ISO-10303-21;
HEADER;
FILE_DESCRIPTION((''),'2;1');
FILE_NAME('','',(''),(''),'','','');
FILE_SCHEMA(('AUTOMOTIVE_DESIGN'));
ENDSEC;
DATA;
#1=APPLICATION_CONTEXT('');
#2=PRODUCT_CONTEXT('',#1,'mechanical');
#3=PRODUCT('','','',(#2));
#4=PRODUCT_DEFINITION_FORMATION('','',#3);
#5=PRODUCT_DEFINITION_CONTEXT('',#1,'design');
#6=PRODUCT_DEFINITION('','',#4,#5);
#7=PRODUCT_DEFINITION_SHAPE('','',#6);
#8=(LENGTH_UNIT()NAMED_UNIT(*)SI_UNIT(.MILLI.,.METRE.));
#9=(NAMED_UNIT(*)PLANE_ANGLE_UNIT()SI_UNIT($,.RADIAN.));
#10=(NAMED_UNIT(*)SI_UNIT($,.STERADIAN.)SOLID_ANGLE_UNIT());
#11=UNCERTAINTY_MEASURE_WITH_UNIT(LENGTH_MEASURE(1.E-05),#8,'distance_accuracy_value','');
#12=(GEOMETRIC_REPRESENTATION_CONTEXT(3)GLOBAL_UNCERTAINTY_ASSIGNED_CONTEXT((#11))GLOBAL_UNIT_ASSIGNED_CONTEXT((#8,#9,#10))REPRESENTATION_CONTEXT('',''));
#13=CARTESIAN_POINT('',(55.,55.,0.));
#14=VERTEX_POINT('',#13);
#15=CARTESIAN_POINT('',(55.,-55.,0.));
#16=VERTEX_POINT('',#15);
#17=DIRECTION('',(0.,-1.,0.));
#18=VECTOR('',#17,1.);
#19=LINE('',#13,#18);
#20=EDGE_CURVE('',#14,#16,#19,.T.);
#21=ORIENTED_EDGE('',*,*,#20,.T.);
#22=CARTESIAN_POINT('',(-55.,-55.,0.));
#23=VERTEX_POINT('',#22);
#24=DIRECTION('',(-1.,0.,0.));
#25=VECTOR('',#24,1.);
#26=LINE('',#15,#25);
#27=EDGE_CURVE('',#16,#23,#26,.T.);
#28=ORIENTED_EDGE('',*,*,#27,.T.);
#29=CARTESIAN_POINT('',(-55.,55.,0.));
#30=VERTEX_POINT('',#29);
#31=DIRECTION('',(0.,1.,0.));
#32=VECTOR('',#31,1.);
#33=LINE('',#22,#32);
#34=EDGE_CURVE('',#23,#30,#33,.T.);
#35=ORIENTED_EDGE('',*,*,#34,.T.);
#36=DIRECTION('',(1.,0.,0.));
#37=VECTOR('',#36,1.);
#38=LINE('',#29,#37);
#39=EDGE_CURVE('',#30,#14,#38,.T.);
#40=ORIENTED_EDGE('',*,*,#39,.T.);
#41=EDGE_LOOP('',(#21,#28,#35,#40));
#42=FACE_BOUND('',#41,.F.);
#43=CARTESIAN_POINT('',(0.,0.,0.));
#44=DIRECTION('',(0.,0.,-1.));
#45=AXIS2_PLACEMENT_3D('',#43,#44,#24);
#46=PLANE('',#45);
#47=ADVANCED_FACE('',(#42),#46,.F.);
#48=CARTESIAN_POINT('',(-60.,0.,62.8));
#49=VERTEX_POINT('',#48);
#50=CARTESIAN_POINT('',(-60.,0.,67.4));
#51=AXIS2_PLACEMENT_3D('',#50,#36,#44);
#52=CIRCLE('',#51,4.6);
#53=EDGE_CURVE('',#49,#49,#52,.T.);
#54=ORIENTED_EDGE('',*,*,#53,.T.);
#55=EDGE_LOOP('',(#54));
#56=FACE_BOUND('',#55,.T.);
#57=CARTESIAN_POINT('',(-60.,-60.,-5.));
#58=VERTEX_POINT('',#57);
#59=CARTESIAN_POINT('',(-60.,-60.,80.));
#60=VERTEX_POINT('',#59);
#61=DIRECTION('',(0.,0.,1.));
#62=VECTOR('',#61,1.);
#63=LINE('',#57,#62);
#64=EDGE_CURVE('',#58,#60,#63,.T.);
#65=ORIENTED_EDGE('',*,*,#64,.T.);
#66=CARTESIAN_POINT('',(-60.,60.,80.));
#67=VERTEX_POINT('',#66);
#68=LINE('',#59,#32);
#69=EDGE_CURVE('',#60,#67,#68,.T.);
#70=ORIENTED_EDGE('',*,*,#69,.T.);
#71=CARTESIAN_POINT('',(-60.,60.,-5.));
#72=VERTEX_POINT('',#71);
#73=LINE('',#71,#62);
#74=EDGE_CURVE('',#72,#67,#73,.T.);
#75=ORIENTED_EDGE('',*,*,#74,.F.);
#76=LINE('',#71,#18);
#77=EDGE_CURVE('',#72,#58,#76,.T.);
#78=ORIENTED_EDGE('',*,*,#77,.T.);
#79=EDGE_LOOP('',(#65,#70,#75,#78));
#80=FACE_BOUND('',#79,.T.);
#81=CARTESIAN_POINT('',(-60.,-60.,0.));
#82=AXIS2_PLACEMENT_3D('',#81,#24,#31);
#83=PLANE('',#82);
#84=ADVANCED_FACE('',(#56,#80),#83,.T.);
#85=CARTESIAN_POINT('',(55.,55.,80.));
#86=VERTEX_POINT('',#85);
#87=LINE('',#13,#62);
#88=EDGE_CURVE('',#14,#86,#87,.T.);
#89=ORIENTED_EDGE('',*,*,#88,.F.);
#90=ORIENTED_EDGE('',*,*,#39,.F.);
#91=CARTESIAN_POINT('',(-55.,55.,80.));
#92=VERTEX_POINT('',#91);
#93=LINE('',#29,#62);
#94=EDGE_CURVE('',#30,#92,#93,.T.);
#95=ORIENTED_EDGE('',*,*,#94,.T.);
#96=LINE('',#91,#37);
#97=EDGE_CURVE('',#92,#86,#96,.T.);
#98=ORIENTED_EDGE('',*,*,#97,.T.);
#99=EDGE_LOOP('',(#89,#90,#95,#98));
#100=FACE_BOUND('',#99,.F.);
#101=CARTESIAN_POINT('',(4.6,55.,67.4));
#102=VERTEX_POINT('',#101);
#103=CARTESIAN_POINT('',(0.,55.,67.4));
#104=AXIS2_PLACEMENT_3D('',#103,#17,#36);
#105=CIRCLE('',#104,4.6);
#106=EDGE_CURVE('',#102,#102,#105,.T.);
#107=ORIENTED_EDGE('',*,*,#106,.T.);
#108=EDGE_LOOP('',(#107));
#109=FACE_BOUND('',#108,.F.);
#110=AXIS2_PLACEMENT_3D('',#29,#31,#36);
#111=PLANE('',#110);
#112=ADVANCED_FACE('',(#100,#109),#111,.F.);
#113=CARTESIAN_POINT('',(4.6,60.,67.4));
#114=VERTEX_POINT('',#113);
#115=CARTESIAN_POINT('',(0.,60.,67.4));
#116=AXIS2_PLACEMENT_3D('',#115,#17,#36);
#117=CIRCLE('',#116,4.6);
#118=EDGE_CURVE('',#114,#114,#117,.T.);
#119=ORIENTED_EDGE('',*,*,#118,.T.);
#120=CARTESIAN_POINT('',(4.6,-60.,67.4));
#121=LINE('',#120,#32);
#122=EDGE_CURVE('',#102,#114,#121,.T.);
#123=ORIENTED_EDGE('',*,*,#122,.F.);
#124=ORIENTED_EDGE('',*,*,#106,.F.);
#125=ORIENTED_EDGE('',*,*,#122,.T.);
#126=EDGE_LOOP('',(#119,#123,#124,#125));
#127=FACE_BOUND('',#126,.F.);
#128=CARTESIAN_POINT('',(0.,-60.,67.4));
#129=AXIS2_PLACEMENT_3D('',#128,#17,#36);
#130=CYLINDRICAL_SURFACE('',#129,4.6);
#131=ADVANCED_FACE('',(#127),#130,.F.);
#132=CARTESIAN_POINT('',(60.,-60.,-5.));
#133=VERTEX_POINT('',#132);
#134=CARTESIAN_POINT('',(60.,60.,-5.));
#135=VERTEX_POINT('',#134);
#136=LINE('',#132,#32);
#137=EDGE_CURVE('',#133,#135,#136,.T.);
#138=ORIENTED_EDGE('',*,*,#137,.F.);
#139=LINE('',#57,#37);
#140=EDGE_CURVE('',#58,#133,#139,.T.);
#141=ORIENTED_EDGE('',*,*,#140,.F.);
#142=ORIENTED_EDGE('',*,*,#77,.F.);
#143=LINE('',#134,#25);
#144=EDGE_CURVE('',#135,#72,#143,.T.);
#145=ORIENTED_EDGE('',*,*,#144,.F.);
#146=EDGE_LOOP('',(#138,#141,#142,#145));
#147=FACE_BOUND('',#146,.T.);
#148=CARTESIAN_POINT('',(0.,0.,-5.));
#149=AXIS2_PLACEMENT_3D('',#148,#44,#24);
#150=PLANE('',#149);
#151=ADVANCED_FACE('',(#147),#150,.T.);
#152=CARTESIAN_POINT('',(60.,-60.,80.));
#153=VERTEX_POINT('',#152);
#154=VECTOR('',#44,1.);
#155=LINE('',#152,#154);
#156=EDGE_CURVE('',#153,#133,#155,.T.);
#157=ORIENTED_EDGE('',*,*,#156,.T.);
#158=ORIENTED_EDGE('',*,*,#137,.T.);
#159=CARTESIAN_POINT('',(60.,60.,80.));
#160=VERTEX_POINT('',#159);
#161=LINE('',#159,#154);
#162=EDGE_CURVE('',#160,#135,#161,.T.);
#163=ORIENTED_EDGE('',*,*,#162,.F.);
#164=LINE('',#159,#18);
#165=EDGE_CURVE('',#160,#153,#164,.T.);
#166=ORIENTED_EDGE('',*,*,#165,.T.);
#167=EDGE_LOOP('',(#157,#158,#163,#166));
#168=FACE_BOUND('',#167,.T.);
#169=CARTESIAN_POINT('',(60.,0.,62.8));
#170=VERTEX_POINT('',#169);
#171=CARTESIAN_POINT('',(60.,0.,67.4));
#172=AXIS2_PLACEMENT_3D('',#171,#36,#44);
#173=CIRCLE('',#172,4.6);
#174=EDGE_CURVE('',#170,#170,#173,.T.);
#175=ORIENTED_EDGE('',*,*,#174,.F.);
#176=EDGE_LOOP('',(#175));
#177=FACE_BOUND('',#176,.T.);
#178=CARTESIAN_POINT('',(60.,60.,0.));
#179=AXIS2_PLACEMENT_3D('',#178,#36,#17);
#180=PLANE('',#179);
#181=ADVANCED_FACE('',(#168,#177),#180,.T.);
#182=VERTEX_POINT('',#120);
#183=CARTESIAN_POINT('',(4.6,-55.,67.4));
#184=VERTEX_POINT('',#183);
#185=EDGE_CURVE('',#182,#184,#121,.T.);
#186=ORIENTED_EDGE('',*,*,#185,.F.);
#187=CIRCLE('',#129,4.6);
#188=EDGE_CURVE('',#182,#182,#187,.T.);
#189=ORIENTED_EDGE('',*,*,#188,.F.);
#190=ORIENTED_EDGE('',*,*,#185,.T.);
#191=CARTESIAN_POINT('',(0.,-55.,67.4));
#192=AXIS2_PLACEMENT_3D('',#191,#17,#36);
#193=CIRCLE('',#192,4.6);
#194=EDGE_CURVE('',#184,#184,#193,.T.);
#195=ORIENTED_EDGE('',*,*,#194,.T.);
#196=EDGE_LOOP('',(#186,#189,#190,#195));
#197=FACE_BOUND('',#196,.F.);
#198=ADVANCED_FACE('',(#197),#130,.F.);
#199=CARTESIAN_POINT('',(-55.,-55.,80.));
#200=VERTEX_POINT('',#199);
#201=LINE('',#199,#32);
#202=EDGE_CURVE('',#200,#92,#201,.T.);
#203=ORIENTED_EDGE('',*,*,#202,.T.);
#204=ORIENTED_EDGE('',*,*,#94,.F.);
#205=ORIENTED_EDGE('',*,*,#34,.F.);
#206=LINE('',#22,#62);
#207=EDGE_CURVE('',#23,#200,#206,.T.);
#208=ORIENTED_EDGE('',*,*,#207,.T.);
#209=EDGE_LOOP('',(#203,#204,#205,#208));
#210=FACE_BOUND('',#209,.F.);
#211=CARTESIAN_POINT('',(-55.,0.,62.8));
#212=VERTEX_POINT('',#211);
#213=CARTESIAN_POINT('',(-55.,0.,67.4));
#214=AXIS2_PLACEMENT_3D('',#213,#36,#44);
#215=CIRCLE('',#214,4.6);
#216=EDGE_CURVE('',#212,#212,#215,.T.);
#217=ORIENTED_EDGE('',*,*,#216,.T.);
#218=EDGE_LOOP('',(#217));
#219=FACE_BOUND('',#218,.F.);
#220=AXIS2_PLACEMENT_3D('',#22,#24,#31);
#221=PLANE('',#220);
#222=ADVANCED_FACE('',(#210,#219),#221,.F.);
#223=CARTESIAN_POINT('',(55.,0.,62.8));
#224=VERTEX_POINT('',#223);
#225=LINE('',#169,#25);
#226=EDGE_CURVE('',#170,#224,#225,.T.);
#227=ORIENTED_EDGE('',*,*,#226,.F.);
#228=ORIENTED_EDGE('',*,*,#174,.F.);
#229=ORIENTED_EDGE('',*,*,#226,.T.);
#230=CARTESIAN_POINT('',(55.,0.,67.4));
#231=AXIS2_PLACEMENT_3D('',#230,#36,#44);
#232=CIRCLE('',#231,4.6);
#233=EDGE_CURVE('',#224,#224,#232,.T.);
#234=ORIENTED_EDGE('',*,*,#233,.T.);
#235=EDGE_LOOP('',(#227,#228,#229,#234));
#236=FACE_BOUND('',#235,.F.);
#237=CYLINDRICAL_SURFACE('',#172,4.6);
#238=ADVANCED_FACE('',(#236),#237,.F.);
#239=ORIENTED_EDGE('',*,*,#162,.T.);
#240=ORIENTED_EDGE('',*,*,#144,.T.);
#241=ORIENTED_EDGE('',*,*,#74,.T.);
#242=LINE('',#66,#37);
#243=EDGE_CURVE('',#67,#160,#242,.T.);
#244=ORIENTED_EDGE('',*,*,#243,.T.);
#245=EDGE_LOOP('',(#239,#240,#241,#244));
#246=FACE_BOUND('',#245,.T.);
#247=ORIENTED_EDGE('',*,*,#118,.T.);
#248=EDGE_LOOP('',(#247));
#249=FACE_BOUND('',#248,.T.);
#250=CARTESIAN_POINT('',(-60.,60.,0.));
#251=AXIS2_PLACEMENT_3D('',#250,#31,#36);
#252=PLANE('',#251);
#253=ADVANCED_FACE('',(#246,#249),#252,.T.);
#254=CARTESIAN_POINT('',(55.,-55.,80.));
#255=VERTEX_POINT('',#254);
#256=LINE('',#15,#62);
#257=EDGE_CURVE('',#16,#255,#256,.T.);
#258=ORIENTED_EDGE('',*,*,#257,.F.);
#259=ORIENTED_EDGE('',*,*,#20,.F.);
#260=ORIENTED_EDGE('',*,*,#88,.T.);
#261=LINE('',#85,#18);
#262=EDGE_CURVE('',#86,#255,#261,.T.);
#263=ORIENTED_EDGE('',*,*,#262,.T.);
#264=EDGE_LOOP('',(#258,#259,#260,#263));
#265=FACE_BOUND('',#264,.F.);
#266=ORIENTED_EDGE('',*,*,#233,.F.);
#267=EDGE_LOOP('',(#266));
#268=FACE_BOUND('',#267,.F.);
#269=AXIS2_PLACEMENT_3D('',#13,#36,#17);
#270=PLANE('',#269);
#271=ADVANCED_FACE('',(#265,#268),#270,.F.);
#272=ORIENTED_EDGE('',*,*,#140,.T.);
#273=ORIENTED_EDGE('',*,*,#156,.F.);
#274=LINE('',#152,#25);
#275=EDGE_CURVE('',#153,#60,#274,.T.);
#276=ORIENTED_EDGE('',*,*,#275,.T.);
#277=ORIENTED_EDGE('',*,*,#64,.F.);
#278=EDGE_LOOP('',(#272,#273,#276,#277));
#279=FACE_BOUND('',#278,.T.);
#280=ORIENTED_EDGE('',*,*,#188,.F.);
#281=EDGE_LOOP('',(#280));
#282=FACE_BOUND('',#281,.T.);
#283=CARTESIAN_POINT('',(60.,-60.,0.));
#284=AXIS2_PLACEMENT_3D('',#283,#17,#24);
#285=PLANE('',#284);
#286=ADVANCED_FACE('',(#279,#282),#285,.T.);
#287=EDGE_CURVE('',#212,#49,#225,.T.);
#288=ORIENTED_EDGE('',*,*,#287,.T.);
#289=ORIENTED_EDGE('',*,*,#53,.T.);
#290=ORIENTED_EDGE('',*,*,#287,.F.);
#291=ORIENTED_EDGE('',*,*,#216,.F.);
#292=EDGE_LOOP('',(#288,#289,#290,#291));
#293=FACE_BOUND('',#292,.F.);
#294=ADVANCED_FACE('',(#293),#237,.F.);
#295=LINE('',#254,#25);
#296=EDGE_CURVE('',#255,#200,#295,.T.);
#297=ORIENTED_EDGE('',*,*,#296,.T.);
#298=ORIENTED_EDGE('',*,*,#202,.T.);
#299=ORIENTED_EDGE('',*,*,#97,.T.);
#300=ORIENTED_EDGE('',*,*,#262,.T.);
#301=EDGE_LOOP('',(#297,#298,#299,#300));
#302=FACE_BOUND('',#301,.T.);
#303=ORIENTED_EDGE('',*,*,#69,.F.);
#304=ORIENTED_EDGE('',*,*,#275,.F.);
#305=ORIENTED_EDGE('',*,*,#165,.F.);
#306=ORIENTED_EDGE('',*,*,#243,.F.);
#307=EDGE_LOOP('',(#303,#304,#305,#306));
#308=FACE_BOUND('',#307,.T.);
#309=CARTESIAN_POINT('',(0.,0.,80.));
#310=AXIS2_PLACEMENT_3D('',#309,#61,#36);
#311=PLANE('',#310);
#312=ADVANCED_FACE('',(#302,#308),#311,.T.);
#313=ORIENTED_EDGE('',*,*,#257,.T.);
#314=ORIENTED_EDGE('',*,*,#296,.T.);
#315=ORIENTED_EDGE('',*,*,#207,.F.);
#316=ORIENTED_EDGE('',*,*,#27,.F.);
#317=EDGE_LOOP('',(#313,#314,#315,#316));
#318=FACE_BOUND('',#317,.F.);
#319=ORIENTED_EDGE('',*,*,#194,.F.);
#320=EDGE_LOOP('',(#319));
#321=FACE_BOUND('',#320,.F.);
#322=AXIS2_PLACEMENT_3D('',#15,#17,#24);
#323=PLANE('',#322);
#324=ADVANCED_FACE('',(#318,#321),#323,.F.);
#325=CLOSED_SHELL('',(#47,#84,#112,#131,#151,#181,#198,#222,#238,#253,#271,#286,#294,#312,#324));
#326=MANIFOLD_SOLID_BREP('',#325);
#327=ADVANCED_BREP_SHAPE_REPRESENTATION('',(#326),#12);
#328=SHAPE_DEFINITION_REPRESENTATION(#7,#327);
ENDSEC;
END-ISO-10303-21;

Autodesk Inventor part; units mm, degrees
ref_plane "YZ Plane" through (0, 0, 0) normal (1, 0, 0) x (0, 1, 0)
ref_plane "XZ Plane" through (0, 0, 0) normal (0, 1, 0) x (-1, 0, 0)
ref_plane "XY Plane" through (0, 0, 0) normal (0, 0, 1) x (1, 0, 0)
sketch "Sketch1" plane through (0, 0, 0) normal (0, 0, 1) x (1, 0, 0)
  line L0 (-55, 55) -> (55, 55)
  line L1 (55, 55) -> (55, -55)
  line L2 (55, -55) -> (-55, -55)
  line L3 (-55, -55) -> (-55, 55)
  line L4 (-60, 60) -> (60, 60)
  line L5 (60, 60) -> (60, -60)
  line L6 (60, -60) -> (-60, -60)
  line L7 (-60, -60) -> (-60, 60)
  point P0 (0, 0)
  dimension "d0" = 110
  dimension "d1" = 110
  dimension "d2" = 55
  dimension "d3" = 55
  dimension "d4" = 5
  dimension "d5" = 5
  dimension "d6" = 5
  dimension "d7" = 5
extrude "Extrusion1" add sketch "Sketch1" along normal blind 80
sketch "Sketch2" plane through (0, 0, 0) normal (0, 0, -1) x (-1, 0, 0)
  line L0 (60, 60) -> (60, -60) projected
  line L1 (-60, 60) -> (60, 60)
  line L2 (60, 60) -> (60, -60)
  line L3 (60, -60) -> (-60, -60)
  line L4 (-60, -60) -> (-60, 60)
  point P0 (0, 0)
extrude "Extrusion2" add sketch "Sketch2" along normal blind 5
sketch "Sketch3" plane through (-60, -60, 80) normal (0, -1, 0) x (1, 0, 0)
  circle A0 centre (60, -12.6) radius 4.6
  line L0 (0, 0) -> (120, 0) projected
  line L1 (120, 0) -> (120, -85) projected
  point P0 (60, -80)
  dimension "d12" = 9.2
  dimension "d13" = 12.6
  dimension "d14" = 60
sketch "Sketch4" plane through (60, -60, 80) normal (1, 0, 0) x (0, 0, -1)
  circle A0 centre (12.6, 60) radius 4.6
  line L0 (0, 0) -> (0, 120) projected
  line L1 (0, 120) -> (85, 120) projected
  point P0 (60, -120)
  dimension "d15" = 9.2
  dimension "d18" = 12.6
  dimension "d19" = 60
extrude "Extrusion3" cut sketch "Sketch4" against normal blind 120
extrude "Extrusion4" cut sketch "Sketch3" against normal blind 120
equation "\"d1\" = d0"
equation "\"d2\" = 0.5 * d0"
equation "\"d3\" = 0.5 * d0"
equation "\"d5\" = d4"
equation "\"d6\" = d4"
equation "\"d7\" = d4"
properties part number "Box" material "ABS Plastic"
